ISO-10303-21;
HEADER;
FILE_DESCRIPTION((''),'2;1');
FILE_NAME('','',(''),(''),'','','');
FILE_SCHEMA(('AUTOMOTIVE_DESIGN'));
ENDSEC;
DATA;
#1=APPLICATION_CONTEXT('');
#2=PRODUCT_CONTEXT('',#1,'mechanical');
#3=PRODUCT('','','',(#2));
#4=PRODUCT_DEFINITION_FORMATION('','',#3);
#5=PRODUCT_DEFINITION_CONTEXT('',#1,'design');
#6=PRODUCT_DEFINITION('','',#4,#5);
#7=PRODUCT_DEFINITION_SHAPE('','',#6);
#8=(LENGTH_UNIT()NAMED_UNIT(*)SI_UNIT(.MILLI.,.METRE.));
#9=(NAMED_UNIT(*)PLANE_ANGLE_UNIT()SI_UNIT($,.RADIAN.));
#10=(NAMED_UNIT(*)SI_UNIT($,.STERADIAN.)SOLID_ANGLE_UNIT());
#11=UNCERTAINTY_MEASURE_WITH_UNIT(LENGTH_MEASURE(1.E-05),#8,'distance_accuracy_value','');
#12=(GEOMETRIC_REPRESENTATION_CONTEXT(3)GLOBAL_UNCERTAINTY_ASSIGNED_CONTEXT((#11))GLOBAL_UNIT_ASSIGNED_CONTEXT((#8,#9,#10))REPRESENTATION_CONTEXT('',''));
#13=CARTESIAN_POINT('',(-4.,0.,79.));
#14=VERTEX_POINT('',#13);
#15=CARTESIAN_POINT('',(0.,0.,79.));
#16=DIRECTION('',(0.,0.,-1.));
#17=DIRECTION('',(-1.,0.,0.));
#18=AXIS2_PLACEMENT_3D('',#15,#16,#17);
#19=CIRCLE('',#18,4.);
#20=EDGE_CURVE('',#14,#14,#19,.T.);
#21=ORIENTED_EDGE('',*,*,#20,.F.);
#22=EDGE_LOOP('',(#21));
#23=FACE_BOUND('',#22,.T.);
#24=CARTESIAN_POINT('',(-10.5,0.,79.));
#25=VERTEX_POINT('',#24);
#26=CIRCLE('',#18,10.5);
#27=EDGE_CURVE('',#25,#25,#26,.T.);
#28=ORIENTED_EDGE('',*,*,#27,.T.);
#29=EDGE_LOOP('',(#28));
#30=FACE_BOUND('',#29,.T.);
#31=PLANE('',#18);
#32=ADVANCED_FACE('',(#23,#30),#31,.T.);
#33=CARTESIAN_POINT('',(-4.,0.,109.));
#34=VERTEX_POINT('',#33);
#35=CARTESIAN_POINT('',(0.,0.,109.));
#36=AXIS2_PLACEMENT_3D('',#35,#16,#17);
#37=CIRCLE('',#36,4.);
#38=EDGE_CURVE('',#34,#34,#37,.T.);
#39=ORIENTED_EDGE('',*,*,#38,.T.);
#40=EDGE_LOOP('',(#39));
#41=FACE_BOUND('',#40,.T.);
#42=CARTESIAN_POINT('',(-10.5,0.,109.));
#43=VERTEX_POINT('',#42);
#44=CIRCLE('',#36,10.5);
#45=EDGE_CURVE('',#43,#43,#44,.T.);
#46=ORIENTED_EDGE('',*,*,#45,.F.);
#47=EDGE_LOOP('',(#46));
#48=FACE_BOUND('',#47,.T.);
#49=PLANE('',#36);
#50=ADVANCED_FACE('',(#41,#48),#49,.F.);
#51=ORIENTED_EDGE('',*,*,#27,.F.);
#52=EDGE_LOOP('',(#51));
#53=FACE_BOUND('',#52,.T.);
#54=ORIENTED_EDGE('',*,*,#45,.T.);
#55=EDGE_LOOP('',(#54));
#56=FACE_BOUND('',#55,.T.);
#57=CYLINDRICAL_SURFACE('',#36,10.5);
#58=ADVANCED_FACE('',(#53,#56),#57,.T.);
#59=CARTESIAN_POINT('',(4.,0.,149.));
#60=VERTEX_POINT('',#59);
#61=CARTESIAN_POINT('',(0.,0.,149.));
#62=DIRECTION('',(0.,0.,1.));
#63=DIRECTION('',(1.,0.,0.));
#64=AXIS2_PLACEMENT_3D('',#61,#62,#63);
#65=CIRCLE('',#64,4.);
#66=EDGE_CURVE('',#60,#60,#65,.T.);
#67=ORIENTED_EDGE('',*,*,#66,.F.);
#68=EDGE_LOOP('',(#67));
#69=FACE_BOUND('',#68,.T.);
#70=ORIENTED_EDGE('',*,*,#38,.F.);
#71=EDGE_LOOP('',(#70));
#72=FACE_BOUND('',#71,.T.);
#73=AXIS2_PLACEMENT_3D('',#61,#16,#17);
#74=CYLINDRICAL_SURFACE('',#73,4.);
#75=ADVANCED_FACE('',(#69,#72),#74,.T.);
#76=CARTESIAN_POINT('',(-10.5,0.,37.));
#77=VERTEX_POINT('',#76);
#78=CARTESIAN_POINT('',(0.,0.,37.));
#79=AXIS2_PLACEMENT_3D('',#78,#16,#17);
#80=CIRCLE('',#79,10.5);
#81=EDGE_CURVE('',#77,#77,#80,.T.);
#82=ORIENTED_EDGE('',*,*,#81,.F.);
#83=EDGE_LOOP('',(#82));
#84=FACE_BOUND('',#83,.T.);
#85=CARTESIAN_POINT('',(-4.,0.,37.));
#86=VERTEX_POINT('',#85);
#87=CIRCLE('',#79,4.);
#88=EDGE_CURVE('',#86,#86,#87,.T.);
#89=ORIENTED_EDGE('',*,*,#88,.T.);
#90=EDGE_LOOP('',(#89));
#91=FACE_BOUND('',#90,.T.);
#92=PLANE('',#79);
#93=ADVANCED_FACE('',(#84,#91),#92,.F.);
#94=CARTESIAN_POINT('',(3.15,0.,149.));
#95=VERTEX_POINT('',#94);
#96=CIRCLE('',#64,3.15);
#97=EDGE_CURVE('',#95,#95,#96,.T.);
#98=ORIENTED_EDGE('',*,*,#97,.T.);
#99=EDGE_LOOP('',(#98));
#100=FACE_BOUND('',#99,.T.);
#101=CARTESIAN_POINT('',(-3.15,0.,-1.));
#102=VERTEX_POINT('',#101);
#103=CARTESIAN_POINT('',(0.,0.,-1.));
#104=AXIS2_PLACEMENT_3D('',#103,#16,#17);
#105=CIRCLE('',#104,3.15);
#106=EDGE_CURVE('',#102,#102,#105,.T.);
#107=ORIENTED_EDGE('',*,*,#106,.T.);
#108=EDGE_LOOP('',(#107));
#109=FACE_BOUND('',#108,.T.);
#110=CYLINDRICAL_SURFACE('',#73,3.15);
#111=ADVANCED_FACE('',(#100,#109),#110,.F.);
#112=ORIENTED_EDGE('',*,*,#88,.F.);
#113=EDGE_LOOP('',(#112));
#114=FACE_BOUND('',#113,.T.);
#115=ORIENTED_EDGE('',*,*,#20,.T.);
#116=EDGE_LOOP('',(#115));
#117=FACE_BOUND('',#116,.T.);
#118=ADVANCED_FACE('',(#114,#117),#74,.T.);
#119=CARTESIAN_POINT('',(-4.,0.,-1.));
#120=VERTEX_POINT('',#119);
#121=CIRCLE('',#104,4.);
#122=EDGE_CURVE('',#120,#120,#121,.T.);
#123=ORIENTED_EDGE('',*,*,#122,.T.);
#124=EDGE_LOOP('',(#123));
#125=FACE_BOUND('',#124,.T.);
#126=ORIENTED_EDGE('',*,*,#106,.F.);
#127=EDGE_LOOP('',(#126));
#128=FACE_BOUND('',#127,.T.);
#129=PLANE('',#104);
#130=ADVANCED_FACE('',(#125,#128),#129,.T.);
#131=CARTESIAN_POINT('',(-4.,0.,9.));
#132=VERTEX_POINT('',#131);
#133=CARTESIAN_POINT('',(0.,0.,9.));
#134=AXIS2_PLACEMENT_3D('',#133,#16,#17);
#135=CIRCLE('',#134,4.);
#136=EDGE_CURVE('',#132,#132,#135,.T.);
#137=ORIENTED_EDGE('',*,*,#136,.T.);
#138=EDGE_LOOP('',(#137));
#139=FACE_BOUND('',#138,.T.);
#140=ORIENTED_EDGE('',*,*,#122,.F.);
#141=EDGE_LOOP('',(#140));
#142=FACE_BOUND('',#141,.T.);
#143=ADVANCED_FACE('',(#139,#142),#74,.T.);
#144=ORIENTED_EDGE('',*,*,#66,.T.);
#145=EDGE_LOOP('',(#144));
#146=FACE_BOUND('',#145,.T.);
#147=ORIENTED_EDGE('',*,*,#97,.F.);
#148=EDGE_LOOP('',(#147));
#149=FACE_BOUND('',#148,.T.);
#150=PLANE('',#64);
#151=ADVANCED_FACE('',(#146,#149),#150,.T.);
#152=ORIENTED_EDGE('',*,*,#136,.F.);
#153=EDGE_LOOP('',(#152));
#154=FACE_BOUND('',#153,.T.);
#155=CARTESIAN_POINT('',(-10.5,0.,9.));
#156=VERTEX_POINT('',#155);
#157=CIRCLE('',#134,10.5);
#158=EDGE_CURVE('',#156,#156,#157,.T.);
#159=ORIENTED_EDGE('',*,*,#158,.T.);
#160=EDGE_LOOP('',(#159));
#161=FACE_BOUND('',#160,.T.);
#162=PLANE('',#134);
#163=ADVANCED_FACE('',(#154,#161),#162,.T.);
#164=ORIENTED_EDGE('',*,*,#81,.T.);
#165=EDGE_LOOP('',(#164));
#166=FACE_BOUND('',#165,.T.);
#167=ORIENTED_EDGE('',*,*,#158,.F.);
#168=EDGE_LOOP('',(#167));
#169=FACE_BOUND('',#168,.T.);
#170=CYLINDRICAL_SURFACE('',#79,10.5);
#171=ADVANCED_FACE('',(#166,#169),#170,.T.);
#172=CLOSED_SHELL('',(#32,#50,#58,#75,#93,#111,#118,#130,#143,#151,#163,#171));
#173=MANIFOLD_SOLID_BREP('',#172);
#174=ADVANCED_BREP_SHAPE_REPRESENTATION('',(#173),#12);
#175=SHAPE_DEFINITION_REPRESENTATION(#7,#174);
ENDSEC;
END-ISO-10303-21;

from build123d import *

# Parameters (mm, degrees)
SKETCH_1_R          = 4
SKETCH_1_R_2        = 3.15
EXTRUDE_1_DEPTH     = 149
EXTRUDE_START       = 1
SKETCH_3_R          = 4
EXTRUDE_2_DEPTH     = 1
EXTRUDE_START_2     = -80
SKETCH_4_2_R        = 10.5
SKETCH_4_2_R_2      = 4
EXTRUDE_4_DEPTH     = 30
EXTRUDE_START_3     = -10
SKETCH_4_R          = 10.5
SKETCH_4_R_2        = 4
EXTRUDE_3_DEPTH     = 28
SKETCH_5_R          = 3.15
CUT_EXTRUDE_1_DEPTH = 10


with BuildPart() as part:
    # 草图1 → 凸台-拉伸1 (new body)
    with BuildSketch(Plane.XY):
        Circle(SKETCH_1_R)
        Circle(SKETCH_1_R_2, mode=Mode.SUBTRACT)
    extrude(amount=EXTRUDE_1_DEPTH)

    # 草图3 → 凸台-拉伸2 (add)
    with BuildSketch(Plane(origin=(0, 0, 0), x_dir=(-1, 0, 0), z_dir=(0, 0, -1)).offset(EXTRUDE_START)):
        Circle(SKETCH_3_R)
    extrude(amount=-EXTRUDE_2_DEPTH)

    # 草图4<2> → 凸台-拉伸4 (add)
    with BuildSketch(Plane(origin=(0, 0, -1), x_dir=(-1, 0, 0), z_dir=(0, 0, -1)).offset(EXTRUDE_START_2)):
        Circle(SKETCH_4_2_R)
        Circle(SKETCH_4_2_R_2, mode=Mode.SUBTRACT)
    extrude(amount=-EXTRUDE_4_DEPTH)

    # 草图4 → 凸台-拉伸3 (add)
    with BuildSketch(Plane(origin=(0, 0, -1), x_dir=(-1, 0, 0), z_dir=(0, 0, -1)).offset(EXTRUDE_START_3)):
        Circle(SKETCH_4_R)
        Circle(SKETCH_4_R_2, mode=Mode.SUBTRACT)
    extrude(amount=-EXTRUDE_3_DEPTH)

    # 草图5 → 切除-拉伸1 (cut)
    with BuildSketch(Plane(origin=(0, 0, -1), x_dir=(-1, 0, 0), z_dir=(0, 0, -1))):
        Circle(SKETCH_5_R)
    extrude(amount=-CUT_EXTRUDE_1_DEPTH, mode=Mode.SUBTRACT)


solid = part.part
